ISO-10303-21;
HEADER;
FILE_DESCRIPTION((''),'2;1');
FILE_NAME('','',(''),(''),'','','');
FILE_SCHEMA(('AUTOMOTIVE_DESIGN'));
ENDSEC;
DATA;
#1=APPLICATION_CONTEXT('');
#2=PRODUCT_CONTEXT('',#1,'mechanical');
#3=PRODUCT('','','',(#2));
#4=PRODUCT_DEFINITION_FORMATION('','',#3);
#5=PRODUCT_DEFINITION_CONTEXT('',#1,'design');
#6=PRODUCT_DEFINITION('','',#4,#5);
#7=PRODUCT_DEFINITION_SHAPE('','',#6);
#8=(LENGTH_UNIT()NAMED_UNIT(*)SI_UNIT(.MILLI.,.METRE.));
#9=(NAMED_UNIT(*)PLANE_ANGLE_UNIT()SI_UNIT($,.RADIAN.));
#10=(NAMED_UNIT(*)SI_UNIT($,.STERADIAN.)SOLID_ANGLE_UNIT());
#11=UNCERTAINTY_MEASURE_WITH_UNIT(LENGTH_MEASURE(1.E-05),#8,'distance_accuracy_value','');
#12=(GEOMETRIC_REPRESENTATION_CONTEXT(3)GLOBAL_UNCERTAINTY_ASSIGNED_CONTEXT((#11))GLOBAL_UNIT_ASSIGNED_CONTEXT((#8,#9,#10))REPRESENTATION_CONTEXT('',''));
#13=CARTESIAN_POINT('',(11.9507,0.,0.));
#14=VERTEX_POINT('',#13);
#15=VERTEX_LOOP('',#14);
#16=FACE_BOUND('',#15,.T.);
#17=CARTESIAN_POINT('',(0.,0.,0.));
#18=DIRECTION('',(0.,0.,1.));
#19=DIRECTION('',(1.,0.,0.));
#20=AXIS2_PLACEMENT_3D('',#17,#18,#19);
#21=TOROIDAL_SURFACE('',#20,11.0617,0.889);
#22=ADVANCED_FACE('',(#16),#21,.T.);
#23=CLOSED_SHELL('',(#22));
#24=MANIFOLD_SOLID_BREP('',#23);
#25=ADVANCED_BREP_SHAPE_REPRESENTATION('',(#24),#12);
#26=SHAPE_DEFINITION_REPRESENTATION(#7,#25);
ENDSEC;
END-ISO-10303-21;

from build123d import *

# Parameters (mm, degrees)
SKETCH1_R = 0.889


with BuildPart() as part:
    # Sketch1 → Revolve1 (revolve)
    with BuildSketch(Plane(origin=(0, 0, 0), x_dir=(0, -1, 0), z_dir=(1, 0, 0))):
        with Locations((11.0617, 0)):
            Circle(SKETCH1_R)
    revolve(axis=Axis((0, 0, 0.889), (0, 0, -1)))


solid = part.part
